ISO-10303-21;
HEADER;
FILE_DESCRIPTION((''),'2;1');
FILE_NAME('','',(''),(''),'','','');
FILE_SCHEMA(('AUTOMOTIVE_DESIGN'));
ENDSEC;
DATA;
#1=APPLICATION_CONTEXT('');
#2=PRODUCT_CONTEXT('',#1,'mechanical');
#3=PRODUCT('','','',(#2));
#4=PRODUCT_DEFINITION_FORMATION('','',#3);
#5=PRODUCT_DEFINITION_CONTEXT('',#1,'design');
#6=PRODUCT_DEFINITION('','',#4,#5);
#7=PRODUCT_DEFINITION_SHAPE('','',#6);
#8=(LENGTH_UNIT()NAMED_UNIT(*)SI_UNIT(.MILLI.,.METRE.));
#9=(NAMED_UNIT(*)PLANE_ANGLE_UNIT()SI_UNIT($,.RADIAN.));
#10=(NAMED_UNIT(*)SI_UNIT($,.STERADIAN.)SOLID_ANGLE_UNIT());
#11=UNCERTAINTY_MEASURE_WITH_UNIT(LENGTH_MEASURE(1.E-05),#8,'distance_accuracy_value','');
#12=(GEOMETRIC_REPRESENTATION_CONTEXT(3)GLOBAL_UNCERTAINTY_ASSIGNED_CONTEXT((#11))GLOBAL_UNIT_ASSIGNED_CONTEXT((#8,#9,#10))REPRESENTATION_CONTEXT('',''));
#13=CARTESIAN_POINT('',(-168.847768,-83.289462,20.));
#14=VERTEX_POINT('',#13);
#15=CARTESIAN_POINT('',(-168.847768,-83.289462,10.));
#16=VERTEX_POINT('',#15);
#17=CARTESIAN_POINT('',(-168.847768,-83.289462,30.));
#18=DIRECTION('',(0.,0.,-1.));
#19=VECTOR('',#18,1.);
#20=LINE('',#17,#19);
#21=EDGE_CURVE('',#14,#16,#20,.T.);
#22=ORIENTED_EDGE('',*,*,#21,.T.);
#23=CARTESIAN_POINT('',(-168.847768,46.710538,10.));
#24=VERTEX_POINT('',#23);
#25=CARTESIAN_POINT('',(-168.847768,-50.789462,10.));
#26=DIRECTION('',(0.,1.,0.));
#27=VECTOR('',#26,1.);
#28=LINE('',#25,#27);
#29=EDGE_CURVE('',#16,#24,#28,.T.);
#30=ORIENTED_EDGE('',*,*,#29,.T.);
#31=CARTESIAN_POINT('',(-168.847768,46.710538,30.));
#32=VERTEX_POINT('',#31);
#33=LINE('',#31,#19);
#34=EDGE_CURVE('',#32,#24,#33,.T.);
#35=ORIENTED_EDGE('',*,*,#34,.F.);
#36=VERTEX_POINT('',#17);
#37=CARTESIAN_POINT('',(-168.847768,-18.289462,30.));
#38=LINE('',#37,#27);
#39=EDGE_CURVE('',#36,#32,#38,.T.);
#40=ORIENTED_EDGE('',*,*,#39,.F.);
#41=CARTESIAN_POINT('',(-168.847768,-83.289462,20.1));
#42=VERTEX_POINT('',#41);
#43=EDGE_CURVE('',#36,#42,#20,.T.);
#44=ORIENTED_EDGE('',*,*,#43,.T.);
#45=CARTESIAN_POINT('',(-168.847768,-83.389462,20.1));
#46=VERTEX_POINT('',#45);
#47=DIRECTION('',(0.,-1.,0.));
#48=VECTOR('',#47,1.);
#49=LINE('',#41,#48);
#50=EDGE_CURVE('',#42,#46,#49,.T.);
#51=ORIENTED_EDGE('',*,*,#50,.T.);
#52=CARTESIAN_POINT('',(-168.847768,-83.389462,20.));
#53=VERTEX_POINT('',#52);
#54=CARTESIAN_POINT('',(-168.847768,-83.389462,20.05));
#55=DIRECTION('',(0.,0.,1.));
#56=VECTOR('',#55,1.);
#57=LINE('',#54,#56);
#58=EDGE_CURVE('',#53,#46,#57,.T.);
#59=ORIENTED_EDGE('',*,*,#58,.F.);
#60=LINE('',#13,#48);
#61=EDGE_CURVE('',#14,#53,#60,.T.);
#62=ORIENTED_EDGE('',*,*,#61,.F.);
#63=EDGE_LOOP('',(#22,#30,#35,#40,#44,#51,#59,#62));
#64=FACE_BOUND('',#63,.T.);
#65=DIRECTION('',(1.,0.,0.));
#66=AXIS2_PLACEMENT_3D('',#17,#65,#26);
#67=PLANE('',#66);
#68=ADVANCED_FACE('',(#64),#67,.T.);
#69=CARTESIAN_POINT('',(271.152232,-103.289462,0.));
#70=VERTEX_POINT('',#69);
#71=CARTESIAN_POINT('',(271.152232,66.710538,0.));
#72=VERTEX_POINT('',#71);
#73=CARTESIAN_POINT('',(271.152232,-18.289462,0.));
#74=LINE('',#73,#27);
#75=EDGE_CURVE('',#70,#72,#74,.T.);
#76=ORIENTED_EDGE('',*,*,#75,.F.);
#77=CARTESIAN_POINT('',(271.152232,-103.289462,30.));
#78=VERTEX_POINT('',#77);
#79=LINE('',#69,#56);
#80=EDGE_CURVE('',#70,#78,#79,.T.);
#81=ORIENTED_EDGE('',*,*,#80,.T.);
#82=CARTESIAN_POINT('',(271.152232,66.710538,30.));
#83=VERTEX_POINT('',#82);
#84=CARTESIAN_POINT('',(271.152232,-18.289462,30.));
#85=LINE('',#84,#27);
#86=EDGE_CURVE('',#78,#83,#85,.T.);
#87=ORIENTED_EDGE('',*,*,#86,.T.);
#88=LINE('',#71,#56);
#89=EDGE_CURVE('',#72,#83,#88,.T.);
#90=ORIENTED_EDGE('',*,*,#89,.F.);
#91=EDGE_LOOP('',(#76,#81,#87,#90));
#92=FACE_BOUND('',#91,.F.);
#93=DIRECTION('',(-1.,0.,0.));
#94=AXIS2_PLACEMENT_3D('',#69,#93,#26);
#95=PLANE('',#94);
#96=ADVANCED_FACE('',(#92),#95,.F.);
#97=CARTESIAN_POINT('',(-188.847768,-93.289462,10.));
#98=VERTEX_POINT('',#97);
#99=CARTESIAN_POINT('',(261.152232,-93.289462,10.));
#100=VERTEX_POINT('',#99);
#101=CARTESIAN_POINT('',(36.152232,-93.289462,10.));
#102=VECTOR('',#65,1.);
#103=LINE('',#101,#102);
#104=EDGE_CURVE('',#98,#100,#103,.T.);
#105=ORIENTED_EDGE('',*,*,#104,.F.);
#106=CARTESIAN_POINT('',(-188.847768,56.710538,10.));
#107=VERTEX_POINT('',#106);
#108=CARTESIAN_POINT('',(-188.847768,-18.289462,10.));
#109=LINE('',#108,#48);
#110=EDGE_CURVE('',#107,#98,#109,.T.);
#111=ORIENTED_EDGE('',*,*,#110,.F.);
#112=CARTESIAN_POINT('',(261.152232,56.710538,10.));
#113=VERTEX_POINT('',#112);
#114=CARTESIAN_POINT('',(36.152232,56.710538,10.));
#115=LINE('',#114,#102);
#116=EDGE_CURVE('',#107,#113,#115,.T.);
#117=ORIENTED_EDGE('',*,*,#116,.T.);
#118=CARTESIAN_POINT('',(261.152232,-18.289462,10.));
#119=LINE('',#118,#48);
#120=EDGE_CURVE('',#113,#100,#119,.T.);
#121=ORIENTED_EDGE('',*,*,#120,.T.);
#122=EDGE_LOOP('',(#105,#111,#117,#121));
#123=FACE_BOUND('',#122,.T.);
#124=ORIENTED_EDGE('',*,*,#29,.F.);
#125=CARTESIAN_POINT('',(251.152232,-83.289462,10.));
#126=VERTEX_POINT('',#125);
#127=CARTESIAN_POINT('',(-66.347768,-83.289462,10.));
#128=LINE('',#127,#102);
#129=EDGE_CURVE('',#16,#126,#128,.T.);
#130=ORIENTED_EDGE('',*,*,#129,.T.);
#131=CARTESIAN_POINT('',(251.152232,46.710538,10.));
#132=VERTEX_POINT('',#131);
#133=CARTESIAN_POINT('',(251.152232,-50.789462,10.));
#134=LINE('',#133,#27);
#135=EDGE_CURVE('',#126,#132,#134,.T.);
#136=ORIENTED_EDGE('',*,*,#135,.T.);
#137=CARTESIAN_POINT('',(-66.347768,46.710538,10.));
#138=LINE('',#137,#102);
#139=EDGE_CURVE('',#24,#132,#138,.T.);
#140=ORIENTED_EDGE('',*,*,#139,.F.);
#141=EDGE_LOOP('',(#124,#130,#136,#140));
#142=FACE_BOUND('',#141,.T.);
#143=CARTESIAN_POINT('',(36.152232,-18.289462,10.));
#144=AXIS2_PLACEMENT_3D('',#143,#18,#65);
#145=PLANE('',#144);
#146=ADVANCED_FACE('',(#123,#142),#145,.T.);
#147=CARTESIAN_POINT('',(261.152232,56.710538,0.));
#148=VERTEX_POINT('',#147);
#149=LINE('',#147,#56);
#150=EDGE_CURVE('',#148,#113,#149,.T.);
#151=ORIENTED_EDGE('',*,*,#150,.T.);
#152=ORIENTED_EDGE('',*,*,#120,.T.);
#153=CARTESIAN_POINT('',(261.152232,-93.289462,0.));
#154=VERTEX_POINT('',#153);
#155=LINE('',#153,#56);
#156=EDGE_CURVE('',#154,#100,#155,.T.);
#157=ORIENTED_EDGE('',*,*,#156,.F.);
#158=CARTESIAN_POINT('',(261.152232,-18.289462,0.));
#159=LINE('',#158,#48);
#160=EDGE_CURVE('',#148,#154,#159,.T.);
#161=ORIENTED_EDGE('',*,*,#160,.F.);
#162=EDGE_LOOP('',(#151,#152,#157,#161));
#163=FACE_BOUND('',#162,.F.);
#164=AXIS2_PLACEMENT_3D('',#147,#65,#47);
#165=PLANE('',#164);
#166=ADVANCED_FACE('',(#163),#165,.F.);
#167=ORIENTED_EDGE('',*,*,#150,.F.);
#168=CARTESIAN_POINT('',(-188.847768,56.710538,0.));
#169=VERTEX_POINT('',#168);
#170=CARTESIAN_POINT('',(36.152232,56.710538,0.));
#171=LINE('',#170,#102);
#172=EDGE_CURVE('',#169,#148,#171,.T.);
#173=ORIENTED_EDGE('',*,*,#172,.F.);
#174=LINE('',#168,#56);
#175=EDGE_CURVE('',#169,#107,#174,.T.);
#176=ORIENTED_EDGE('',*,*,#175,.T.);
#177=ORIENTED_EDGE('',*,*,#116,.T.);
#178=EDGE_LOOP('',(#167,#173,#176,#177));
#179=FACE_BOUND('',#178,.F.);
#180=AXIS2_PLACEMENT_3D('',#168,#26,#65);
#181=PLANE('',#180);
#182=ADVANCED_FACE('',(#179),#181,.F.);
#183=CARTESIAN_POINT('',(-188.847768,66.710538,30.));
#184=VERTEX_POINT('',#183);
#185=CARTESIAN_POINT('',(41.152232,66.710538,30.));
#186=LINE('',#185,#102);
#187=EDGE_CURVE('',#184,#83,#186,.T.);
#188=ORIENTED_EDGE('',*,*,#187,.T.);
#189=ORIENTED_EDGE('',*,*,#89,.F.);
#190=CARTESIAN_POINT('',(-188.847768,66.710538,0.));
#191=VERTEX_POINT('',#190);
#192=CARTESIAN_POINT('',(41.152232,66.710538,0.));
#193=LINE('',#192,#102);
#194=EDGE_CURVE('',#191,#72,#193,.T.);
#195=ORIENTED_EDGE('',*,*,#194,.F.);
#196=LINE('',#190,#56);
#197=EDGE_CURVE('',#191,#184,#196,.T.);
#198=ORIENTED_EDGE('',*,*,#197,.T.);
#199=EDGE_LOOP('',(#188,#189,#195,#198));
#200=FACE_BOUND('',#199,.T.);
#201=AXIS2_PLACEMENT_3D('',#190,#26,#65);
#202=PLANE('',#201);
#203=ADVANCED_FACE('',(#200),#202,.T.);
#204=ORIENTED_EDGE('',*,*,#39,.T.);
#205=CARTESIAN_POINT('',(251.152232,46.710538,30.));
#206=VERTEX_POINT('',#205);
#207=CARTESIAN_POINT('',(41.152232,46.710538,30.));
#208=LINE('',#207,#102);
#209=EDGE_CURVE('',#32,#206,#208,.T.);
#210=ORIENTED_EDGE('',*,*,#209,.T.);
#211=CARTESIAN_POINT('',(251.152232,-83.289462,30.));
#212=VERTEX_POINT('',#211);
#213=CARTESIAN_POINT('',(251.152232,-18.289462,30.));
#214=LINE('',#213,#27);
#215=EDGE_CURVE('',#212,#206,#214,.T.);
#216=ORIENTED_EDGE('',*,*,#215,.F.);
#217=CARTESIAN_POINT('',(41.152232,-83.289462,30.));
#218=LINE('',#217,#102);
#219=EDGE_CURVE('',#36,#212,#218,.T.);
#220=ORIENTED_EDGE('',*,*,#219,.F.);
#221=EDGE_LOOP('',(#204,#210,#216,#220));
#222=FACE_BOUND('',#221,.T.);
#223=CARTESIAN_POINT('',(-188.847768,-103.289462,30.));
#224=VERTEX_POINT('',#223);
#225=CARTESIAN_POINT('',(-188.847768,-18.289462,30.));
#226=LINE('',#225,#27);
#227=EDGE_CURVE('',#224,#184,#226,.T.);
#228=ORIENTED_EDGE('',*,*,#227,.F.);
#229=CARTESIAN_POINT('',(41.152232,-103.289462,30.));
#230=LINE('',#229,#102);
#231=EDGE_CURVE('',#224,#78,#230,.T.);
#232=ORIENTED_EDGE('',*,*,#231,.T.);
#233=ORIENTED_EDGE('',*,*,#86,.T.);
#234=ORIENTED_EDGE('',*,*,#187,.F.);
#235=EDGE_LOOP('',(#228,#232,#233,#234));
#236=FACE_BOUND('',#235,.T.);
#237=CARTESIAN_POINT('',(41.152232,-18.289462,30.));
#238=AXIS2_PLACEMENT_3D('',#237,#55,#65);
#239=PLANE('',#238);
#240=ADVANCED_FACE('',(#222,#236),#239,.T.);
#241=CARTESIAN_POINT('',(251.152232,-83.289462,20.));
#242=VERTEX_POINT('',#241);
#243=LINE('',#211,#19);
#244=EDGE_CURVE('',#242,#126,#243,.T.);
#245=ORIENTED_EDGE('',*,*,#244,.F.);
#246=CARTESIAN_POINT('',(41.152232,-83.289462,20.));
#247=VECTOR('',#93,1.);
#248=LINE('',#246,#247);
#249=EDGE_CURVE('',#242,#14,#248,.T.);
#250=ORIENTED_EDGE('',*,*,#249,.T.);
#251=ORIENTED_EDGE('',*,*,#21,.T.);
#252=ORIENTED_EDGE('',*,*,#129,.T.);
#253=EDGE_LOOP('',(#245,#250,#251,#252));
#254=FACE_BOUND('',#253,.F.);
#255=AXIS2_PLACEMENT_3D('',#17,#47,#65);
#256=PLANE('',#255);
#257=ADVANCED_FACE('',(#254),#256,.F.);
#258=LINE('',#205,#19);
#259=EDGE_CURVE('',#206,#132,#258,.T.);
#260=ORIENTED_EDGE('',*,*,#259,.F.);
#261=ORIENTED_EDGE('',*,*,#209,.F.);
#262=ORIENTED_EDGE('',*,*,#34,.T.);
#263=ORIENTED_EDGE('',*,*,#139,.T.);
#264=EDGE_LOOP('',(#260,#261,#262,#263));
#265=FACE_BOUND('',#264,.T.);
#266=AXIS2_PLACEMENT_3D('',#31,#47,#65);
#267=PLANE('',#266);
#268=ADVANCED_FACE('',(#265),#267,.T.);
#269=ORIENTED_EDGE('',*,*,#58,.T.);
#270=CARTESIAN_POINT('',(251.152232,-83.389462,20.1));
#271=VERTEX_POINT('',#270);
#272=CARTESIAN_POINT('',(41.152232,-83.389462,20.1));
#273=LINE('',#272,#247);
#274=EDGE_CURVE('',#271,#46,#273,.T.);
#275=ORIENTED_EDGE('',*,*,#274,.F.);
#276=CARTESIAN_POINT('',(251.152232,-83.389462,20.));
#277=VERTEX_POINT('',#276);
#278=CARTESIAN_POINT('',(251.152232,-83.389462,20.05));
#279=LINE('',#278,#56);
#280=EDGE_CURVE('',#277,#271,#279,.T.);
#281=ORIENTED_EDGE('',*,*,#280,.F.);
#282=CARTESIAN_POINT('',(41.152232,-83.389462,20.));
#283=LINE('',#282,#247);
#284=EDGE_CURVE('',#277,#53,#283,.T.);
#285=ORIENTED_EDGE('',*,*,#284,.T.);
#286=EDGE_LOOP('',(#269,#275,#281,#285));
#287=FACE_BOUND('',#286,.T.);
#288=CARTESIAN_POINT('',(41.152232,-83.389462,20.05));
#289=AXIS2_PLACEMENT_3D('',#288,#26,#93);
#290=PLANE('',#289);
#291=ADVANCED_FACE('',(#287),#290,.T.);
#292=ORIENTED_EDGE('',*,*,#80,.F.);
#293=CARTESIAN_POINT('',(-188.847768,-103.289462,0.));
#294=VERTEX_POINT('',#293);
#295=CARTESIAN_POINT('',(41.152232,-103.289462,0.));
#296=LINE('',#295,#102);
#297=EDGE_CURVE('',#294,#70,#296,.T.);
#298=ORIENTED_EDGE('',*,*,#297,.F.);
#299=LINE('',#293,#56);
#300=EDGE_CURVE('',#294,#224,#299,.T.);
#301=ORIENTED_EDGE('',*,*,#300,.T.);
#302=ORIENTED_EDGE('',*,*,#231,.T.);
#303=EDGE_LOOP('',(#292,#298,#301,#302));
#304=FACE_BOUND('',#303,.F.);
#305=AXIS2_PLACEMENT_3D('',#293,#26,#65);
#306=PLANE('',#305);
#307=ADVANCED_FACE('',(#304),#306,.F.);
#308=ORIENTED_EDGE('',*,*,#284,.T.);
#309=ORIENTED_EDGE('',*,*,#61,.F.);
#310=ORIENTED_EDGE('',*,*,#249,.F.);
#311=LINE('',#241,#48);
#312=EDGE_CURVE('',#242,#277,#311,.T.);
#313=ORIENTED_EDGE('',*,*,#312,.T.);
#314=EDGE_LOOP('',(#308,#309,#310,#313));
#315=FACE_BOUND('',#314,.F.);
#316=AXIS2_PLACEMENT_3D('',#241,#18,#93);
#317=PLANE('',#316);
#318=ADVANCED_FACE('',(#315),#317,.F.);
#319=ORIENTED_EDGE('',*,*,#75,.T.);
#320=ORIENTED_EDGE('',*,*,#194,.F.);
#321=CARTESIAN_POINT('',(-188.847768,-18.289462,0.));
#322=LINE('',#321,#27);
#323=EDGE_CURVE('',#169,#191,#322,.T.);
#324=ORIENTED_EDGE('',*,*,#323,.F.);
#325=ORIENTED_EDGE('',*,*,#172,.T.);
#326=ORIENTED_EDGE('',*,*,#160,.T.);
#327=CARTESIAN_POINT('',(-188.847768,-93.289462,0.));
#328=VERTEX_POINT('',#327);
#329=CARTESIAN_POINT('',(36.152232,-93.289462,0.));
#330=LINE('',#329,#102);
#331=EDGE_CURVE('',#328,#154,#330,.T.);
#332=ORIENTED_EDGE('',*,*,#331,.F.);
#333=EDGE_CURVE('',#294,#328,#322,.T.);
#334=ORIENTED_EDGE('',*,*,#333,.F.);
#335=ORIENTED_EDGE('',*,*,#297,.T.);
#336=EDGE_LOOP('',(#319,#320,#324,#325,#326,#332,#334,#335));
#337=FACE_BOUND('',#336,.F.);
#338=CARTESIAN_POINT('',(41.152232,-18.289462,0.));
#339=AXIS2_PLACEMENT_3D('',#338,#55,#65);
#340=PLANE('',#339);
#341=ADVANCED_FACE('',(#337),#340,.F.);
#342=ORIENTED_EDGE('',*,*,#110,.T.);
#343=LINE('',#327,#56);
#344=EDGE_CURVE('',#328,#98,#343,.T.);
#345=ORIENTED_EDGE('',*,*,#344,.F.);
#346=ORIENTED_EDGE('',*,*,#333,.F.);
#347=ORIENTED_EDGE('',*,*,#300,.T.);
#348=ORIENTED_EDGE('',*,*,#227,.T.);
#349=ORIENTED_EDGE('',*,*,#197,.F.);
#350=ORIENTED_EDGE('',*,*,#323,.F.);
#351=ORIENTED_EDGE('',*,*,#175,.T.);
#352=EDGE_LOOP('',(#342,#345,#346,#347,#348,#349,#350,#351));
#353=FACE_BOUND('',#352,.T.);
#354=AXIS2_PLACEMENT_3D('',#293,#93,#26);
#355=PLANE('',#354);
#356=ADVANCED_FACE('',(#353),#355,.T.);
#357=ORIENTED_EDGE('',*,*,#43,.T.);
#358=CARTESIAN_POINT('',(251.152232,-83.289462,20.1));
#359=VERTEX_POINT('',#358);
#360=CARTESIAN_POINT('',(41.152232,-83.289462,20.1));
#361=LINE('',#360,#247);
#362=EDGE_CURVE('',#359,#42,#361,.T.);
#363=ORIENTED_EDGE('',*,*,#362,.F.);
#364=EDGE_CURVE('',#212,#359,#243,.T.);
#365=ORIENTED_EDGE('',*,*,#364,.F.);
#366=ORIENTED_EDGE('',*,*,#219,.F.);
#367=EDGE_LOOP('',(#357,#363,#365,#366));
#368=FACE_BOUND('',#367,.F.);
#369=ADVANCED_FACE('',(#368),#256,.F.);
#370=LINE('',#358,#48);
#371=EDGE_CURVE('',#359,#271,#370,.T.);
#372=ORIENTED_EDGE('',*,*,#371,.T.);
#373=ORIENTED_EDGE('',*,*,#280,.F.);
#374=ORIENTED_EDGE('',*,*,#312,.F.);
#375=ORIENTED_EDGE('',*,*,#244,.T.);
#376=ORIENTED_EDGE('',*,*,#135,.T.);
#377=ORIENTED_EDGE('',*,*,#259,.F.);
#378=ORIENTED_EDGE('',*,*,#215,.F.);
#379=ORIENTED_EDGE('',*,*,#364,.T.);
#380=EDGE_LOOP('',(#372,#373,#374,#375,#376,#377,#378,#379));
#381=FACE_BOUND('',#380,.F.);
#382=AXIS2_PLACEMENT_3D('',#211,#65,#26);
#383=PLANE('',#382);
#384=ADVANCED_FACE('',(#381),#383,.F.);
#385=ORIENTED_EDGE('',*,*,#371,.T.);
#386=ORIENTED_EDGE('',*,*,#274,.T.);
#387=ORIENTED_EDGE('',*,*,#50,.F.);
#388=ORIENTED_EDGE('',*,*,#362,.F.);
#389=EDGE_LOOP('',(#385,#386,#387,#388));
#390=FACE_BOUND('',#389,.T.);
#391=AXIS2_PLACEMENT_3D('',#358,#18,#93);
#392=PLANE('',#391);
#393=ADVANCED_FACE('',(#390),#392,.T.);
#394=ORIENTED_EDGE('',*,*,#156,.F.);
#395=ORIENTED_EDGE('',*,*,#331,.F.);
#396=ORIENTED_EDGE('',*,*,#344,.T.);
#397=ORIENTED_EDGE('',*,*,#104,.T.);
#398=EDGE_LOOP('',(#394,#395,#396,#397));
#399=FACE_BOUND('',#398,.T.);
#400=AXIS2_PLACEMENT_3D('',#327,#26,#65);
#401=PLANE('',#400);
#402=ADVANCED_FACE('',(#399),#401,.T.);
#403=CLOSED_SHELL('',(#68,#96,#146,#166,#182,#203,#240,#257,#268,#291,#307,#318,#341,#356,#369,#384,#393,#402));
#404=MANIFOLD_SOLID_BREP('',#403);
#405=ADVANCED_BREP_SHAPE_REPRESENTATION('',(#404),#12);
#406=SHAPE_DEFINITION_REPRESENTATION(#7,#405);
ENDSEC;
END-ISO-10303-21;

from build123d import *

# Parameters (mm, degrees)
F0_W     = 460
F0_H     = 170
F1_DEPTH = 30
F2_W     = 420
F2_H     = 130
F3_DEPTH = 30
F4_W     = 450
F4_H     = 150
F5_DEPTH = 10
F6_W     = 420
F6_H     = 0.1
F7_DEPTH = 0.1


with BuildPart() as f1:
    # F0 (on Top) → F1 (new body)
    with BuildSketch(Plane.XY):
        with Locations((41.152232, -18.289462)):
            Rectangle(F0_W, F0_H)
    extrude(amount=F1_DEPTH)

    # F2 (on face) → F3 (cut, through all)
    with BuildSketch(Plane.XY.offset(30)):
        with Locations((41.152232, -18.289462)):
            Rectangle(F2_W, F2_H)
    extrude(amount=-F3_DEPTH, mode=Mode.SUBTRACT)

    # F4 (on face) → F5 (cut)
    with BuildSketch(Plane(origin=(0, 0, 0), x_dir=(1, 0, 0), z_dir=(0, 0, -1))):
        with Locations((36.152232, 18.289462)):
            Rectangle(F4_W, F4_H)
    extrude(amount=-F5_DEPTH, mode=Mode.SUBTRACT)

    # F6 (on face) → F7 (cut)
    with BuildSketch(Plane(origin=(0, -83.289462, 0), x_dir=(-1, 0, 0), z_dir=(0, 1, 0))):
        with Locations((-41.152232, 20.05)):
            Rectangle(F6_W, F6_H)
    extrude(amount=-F7_DEPTH, mode=Mode.SUBTRACT)


solid = f1.part
